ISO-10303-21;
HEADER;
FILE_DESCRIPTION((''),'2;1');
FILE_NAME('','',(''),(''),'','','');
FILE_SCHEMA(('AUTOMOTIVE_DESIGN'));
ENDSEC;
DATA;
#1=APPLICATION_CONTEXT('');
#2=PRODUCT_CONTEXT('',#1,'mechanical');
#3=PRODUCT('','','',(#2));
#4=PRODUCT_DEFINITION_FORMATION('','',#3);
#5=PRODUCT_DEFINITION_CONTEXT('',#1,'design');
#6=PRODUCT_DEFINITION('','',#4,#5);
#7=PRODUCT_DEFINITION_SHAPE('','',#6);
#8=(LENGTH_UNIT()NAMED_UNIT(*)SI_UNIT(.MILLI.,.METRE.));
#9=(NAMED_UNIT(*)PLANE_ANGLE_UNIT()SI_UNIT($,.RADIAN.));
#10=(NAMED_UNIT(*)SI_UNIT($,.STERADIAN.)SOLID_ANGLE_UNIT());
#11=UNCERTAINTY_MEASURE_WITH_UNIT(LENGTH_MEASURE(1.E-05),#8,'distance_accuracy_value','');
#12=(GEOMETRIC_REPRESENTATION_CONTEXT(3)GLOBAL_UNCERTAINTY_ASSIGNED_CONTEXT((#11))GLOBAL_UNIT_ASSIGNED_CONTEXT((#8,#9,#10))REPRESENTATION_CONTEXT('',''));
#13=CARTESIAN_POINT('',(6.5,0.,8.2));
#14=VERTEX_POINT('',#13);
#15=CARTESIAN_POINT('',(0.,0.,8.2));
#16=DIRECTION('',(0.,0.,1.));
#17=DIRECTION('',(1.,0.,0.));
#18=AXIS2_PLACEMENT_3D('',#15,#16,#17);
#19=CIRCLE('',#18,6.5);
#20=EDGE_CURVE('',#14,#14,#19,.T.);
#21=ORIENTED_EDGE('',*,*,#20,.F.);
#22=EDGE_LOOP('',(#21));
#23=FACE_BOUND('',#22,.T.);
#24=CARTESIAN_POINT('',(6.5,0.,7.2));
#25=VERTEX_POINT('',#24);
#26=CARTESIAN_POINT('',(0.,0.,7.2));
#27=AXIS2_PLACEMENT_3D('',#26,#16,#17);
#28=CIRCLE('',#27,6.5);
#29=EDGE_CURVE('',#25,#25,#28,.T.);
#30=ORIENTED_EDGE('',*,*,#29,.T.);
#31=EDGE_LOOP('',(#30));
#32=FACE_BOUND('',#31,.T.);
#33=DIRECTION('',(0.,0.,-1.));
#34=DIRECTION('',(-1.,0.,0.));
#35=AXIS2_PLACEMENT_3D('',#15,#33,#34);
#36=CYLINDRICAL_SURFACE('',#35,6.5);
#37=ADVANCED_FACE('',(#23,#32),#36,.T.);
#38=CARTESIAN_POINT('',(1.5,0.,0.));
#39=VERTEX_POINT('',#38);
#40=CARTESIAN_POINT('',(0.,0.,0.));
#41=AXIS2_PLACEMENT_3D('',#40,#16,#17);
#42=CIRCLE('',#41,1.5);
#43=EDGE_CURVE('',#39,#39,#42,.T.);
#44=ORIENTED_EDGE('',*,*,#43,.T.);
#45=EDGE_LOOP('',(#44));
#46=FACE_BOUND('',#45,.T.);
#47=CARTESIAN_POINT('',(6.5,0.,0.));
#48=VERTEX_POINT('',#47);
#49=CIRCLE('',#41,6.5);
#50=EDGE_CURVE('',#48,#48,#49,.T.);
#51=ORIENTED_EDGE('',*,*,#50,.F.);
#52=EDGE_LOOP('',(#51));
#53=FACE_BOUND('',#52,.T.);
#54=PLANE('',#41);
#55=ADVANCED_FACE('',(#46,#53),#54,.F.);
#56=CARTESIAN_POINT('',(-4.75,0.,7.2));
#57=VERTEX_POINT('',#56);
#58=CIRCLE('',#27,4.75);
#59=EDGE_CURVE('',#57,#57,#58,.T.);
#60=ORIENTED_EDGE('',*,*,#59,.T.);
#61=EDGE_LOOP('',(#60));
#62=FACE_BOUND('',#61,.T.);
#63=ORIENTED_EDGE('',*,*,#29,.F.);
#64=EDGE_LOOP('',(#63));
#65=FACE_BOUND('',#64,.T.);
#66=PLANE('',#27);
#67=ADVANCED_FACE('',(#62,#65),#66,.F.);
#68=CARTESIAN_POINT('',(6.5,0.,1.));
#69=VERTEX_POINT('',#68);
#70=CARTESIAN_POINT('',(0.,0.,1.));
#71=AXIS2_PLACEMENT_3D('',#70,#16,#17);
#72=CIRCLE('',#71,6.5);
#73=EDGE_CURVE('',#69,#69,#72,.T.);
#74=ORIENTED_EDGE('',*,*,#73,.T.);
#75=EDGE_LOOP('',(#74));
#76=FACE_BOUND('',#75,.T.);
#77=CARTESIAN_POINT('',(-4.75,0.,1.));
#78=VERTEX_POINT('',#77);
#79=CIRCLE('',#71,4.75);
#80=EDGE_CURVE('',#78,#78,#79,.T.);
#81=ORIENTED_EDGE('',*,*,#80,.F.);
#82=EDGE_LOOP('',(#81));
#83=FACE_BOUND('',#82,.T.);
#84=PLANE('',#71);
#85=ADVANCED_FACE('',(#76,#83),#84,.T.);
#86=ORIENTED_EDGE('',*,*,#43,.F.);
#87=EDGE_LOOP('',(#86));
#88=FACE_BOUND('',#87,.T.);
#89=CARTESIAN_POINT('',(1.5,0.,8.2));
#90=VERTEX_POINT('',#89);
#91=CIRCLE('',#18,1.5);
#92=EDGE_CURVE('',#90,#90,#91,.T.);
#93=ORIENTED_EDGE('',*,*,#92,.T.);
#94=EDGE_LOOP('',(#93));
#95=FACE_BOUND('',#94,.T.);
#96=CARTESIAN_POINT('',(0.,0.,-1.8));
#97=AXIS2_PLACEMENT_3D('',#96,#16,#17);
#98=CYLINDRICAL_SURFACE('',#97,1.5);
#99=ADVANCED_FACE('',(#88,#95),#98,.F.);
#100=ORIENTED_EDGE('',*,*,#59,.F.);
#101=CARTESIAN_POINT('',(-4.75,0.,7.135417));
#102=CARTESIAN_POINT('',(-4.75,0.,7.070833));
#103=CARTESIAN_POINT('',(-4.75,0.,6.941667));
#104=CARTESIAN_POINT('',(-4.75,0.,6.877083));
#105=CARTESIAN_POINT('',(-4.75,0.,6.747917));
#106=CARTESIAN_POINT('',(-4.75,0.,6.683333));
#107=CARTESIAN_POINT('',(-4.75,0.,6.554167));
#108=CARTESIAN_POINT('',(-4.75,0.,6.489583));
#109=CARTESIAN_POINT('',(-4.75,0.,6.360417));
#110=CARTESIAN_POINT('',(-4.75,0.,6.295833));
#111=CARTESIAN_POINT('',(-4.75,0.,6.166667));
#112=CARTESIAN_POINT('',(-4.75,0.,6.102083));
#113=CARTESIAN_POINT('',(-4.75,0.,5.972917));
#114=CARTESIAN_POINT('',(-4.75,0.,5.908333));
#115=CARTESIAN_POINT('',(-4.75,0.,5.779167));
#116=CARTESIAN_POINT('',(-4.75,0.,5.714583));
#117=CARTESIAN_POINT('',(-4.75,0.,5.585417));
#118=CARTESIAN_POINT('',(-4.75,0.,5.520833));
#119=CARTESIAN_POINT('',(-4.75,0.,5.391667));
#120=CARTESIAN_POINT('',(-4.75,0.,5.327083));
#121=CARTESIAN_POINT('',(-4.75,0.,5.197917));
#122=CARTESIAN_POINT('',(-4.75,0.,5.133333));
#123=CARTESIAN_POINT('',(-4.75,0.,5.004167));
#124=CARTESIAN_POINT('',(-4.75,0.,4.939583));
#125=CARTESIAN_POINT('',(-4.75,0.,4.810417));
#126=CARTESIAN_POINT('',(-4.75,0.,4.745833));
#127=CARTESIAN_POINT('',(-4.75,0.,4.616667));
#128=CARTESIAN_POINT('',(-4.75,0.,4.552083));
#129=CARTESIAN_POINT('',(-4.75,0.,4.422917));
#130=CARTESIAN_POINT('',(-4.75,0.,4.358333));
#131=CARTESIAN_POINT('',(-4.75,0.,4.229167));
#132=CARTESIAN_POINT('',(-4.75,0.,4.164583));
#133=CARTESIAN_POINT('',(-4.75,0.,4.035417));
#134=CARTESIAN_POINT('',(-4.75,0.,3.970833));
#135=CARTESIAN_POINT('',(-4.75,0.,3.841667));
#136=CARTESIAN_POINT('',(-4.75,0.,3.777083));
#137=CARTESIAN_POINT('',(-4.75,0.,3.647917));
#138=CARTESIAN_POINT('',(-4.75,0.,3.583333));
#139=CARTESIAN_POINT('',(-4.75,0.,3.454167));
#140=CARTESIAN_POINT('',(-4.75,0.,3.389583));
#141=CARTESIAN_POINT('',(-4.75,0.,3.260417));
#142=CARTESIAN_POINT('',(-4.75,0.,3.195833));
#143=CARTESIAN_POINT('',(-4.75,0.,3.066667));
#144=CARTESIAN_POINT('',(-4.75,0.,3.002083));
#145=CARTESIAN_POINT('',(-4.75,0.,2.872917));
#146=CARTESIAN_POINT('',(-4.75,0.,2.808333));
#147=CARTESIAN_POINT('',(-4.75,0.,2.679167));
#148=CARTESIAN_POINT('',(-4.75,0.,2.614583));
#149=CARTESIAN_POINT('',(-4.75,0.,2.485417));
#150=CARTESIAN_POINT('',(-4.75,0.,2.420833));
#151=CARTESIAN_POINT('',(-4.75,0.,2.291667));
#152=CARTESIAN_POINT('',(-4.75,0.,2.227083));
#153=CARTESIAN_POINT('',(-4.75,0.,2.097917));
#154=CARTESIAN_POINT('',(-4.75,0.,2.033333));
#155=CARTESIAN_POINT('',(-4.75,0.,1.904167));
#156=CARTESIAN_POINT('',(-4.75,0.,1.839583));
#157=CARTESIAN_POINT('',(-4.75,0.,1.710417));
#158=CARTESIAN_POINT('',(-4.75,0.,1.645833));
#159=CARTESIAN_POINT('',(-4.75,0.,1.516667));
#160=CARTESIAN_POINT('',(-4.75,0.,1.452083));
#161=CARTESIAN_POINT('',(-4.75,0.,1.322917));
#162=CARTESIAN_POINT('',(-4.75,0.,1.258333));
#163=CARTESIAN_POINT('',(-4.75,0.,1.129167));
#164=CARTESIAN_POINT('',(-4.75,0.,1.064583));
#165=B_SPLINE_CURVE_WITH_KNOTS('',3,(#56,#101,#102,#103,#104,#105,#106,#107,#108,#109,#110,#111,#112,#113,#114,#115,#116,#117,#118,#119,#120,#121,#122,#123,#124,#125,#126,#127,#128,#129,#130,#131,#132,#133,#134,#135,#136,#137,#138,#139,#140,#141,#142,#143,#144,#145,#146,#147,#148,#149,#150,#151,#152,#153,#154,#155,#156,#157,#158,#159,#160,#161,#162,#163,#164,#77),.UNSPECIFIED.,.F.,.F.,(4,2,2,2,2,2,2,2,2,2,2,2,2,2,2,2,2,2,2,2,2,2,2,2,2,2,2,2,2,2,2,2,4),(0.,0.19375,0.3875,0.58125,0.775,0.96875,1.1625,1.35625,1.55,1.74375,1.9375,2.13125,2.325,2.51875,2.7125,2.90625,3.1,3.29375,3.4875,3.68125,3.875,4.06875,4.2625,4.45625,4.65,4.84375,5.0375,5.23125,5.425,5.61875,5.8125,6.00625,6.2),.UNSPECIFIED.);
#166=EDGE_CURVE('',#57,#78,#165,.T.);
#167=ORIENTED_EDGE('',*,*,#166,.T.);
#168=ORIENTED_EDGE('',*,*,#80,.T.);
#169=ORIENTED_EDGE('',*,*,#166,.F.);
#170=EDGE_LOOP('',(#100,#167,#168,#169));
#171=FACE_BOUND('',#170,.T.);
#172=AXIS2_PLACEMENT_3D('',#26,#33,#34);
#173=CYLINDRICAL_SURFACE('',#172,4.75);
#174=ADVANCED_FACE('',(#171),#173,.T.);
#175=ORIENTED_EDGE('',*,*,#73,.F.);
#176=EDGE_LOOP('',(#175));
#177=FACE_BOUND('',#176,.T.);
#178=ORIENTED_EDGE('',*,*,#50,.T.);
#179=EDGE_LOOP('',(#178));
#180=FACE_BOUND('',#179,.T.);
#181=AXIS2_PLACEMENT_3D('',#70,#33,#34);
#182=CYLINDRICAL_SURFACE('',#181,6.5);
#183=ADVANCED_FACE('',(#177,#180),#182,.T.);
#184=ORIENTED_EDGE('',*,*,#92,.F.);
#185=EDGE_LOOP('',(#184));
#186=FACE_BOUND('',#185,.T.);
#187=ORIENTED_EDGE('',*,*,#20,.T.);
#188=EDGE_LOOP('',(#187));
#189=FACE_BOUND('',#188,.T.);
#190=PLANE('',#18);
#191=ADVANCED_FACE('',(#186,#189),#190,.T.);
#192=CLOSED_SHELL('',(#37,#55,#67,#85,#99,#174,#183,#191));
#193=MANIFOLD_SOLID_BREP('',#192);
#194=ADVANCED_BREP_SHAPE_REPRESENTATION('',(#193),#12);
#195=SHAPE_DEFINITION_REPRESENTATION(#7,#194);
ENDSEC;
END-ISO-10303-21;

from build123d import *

# Parameters (mm, degrees)
ESQUISSE1_R             = 6.5
BOSS_EXTRU_1_DEPTH      = 1
ESQUISSE2_R             = 4.75
BOSS_EXTRU_2_DEPTH      = 6.2
ESQUISSE3_R             = 6.5
BOSS_EXTRU_3_DEPTH      = 1
ESQUISSE4_R             = 1.5
ENL_V_MAT_EXTRU_1_DEPTH = 10


with BuildPart() as part:
    # Esquisse1 → Boss.-Extru.1 (new body)
    with BuildSketch(Plane.XY):
        Circle(ESQUISSE1_R)
    extrude(amount=BOSS_EXTRU_1_DEPTH)

    # Esquisse2 → Boss.-Extru.2 (add)
    with BuildSketch(Plane.XY.offset(1)):
        with Locations(Location((0, 0, 0), (0, 0, 180))):
            Circle(ESQUISSE2_R)
    extrude(amount=BOSS_EXTRU_2_DEPTH)

    # Esquisse3 → Boss.-Extru.3 (add)
    with BuildSketch(Plane.XY.offset(7.2)):
        Circle(ESQUISSE3_R)
    extrude(amount=BOSS_EXTRU_3_DEPTH)

    # Esquisse4 → Enlèv. mat.-Extru.1 (cut)
    with BuildSketch(Plane.XY.offset(8.2)):
        Circle(ESQUISSE4_R)
    extrude(amount=-ENL_V_MAT_EXTRU_1_DEPTH, mode=Mode.SUBTRACT)


solid = part.part
